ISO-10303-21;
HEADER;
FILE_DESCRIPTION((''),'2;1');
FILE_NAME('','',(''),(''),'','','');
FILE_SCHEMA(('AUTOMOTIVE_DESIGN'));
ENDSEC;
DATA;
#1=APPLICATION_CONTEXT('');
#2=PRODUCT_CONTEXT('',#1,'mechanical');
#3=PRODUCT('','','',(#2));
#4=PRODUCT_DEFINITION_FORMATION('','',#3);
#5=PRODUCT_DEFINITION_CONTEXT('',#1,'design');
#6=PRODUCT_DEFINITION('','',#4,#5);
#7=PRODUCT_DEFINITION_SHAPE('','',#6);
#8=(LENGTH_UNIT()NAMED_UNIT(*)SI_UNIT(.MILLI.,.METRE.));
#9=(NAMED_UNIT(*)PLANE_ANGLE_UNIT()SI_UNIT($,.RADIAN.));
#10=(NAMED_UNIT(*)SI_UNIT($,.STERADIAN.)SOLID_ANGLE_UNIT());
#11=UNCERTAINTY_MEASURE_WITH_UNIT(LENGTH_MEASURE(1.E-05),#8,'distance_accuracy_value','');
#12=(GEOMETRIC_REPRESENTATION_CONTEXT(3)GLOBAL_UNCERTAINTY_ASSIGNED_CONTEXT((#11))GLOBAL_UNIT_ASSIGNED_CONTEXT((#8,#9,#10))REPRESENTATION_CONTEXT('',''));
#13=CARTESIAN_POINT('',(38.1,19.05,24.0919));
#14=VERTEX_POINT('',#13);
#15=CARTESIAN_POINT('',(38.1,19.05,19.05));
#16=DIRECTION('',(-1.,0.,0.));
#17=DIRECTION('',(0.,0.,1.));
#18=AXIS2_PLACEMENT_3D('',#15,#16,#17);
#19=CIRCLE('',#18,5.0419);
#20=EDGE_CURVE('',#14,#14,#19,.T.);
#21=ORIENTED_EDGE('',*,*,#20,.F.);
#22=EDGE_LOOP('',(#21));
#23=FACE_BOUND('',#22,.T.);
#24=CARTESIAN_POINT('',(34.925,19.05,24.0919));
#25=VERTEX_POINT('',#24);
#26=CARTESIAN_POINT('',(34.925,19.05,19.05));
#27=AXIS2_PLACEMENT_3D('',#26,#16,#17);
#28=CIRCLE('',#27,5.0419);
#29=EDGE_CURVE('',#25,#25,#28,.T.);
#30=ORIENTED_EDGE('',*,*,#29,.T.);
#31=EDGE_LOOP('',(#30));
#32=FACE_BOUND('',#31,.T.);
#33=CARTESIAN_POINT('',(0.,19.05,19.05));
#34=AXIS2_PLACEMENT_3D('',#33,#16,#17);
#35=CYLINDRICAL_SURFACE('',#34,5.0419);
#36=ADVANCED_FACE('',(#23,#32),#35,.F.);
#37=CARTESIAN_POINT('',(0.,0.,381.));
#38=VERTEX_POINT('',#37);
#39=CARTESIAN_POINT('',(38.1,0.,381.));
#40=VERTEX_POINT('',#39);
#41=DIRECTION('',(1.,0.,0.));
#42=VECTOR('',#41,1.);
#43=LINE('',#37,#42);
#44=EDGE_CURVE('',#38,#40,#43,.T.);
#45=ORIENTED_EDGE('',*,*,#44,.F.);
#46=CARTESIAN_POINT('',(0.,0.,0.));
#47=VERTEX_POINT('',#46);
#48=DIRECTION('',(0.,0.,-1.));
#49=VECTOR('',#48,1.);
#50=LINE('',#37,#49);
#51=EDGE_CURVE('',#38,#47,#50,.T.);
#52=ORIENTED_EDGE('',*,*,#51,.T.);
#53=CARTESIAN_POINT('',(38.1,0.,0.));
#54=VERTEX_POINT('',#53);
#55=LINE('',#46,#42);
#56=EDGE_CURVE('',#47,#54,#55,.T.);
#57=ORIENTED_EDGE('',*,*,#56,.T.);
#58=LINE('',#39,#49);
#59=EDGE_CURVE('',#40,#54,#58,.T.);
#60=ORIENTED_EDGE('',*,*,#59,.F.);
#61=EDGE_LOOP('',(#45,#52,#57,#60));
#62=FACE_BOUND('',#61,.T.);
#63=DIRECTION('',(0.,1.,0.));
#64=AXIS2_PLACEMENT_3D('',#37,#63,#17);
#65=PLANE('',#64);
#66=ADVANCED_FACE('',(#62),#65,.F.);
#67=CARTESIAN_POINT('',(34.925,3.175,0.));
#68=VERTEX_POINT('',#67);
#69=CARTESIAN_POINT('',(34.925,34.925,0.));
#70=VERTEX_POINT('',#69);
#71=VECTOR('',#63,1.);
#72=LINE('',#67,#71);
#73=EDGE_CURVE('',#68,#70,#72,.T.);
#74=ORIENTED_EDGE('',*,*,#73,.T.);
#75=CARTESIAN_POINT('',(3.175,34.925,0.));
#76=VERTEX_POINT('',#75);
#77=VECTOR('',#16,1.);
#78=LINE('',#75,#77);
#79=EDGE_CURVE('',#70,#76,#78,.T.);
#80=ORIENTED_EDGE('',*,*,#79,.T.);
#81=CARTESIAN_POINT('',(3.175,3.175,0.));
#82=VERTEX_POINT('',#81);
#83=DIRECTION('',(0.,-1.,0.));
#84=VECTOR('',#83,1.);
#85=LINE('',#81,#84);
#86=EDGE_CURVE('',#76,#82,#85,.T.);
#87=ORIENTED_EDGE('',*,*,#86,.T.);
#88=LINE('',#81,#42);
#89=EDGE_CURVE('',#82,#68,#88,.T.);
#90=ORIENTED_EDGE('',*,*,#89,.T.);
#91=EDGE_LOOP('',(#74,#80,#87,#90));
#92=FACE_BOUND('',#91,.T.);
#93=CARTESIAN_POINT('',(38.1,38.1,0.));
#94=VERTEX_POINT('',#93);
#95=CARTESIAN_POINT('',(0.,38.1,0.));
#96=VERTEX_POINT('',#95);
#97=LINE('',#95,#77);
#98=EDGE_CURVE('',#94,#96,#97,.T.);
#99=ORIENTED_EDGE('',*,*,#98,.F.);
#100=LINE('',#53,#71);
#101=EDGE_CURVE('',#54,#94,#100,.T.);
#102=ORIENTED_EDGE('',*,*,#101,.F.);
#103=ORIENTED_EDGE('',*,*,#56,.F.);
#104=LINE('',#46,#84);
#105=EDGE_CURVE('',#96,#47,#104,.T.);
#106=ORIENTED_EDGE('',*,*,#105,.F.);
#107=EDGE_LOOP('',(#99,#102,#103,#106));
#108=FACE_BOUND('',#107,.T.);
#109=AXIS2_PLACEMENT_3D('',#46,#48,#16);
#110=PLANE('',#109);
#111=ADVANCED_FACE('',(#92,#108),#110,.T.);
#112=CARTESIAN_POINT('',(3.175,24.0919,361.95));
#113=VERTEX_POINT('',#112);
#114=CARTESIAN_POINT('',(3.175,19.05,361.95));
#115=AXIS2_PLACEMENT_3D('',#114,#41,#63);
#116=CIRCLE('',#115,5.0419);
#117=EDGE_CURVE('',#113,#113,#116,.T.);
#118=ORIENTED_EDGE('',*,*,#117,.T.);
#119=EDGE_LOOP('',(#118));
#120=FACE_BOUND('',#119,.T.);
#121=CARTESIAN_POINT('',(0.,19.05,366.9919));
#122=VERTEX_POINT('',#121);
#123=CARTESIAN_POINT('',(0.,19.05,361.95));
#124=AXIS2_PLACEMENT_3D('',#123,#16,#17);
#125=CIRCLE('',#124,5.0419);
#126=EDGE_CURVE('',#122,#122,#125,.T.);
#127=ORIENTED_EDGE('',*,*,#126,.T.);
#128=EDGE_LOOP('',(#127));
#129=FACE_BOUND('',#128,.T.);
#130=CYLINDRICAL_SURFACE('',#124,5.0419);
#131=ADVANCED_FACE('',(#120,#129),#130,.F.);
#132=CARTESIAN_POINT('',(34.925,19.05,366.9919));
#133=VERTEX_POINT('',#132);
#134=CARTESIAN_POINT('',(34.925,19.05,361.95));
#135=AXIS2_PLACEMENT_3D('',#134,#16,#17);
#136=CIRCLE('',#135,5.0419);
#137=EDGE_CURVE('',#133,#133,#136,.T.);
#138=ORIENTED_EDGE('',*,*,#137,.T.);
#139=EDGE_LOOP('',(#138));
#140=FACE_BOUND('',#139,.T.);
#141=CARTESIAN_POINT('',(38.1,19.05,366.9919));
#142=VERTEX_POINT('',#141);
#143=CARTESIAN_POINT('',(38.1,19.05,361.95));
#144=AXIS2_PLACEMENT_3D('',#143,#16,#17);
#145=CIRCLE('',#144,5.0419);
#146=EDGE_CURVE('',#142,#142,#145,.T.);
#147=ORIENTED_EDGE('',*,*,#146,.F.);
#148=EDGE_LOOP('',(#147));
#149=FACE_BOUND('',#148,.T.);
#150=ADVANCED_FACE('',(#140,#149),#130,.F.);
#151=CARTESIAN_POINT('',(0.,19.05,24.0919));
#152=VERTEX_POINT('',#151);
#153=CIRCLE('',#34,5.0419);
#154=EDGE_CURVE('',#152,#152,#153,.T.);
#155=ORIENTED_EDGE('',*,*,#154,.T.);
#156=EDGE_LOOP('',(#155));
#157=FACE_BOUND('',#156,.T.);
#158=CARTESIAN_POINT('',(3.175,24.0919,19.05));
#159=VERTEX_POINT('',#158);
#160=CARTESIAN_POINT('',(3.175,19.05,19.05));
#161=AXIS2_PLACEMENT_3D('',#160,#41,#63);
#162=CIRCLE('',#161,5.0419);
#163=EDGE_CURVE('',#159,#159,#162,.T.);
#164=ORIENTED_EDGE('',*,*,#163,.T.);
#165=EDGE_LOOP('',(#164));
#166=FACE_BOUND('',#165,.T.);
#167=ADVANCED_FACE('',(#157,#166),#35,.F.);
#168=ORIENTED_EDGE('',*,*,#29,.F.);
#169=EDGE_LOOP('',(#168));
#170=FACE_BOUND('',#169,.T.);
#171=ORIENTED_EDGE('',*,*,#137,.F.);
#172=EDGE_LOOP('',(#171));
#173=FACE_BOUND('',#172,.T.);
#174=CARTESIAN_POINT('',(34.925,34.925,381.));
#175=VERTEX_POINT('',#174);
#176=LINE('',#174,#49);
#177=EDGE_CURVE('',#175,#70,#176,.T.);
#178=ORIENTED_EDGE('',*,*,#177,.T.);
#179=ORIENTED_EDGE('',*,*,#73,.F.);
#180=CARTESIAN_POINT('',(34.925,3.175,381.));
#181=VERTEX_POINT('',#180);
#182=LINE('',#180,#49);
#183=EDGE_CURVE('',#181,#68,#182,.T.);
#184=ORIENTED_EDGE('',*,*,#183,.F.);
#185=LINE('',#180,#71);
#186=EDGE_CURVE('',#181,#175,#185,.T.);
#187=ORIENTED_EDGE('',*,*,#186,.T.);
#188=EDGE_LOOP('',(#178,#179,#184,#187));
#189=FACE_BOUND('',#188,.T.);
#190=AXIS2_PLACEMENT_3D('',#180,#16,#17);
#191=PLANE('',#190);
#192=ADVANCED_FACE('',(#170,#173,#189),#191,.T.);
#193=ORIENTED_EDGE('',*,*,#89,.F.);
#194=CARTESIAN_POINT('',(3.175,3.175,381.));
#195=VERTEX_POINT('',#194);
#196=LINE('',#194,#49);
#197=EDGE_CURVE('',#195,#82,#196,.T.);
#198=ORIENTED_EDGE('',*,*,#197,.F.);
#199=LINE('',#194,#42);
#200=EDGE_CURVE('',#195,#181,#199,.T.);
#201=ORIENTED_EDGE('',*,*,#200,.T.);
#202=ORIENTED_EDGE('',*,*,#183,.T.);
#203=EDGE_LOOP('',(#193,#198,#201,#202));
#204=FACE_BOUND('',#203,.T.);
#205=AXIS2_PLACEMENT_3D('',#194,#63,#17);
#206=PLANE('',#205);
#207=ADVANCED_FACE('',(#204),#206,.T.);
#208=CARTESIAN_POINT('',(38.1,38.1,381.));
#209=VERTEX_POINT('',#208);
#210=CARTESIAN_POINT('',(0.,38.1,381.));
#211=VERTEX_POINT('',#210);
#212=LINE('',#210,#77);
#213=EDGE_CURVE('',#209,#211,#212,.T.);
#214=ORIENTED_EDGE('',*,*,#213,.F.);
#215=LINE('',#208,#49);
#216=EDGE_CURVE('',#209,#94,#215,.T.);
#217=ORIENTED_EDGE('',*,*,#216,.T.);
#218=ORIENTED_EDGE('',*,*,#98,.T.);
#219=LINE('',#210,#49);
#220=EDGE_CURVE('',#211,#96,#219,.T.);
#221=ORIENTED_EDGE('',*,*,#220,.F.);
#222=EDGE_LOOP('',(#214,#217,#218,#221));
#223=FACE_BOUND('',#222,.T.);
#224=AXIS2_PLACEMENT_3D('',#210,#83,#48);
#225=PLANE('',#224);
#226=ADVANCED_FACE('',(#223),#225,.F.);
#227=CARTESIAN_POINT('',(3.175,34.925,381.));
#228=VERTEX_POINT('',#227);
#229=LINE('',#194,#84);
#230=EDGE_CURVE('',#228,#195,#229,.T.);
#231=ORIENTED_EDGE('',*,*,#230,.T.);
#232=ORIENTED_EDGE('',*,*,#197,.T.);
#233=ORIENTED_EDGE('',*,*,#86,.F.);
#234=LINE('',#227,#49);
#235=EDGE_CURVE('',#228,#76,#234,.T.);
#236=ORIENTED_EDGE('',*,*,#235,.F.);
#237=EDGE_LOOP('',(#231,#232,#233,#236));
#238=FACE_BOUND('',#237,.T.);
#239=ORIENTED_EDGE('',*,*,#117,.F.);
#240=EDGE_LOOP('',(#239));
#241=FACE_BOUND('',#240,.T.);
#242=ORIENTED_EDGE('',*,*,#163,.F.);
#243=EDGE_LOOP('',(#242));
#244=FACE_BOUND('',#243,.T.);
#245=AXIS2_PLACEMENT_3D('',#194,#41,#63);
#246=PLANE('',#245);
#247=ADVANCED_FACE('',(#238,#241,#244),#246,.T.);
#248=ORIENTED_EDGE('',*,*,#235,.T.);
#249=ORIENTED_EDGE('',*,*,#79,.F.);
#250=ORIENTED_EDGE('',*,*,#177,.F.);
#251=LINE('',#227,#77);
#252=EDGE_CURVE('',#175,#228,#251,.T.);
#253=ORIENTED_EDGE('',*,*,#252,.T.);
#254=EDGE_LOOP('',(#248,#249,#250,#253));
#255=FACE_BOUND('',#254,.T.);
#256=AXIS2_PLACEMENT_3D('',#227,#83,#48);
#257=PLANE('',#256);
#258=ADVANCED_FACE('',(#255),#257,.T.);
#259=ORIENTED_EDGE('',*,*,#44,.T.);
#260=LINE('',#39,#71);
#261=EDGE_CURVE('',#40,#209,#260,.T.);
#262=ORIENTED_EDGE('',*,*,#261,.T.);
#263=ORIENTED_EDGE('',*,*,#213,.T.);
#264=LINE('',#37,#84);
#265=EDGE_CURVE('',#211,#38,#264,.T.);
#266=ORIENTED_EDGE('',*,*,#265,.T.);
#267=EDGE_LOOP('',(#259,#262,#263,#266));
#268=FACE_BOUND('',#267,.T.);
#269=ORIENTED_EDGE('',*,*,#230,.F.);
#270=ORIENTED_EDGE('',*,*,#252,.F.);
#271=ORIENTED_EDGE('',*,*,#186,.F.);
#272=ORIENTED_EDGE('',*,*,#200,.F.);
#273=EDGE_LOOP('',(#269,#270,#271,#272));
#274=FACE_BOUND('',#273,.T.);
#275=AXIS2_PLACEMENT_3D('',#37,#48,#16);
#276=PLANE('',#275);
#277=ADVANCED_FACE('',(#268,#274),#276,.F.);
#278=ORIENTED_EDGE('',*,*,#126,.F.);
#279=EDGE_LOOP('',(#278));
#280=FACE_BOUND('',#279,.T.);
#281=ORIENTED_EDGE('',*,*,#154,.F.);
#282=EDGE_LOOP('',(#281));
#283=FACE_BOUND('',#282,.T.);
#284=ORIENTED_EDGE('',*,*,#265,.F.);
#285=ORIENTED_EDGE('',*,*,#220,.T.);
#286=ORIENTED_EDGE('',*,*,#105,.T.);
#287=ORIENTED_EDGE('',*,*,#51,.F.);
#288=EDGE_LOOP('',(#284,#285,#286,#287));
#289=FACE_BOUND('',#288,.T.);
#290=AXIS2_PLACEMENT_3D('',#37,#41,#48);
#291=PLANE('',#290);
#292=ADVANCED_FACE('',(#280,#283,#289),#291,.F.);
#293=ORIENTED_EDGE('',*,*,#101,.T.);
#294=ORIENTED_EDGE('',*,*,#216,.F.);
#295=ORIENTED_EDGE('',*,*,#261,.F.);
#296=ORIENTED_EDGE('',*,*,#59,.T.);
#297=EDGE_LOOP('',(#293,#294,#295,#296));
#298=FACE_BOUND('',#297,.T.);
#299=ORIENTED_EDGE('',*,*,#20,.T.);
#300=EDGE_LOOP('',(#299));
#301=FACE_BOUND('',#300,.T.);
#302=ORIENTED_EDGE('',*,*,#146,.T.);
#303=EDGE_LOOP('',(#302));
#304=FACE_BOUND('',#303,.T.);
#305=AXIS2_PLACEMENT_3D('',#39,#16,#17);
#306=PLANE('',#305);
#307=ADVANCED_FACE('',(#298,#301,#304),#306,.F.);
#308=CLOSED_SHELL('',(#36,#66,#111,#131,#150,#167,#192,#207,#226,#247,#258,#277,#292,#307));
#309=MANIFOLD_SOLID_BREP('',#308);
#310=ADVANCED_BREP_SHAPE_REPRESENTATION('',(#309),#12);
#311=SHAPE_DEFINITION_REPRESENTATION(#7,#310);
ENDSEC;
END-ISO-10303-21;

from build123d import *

# Parameters (mm, degrees)
SKETCH2_W                = 38.1
SKETCH2_H                = 38.1
SKETCH2_W_2              = 31.75
SKETCH2_H_2              = 31.75
BOSS_EXTRUDE1_DEPTH      = 381
X_0_397_DIAMETER_HOLE1_D = 10.0838


with BuildPart() as part:
    # Sketch2 → Boss-Extrude1 (new body)
    with BuildSketch(Plane.XY):
        with Locations((19.05, 19.05)):
            Rectangle(SKETCH2_W, SKETCH2_H)
        with Locations((19.05, 19.05)):
            Rectangle(SKETCH2_W_2, SKETCH2_H_2, mode=Mode.SUBTRACT)
    extrude(amount=BOSS_EXTRUDE1_DEPTH)

    # X (0.397) Diameter Hole1 (through all)
    with Locations(Plane.ZY):
        with Locations((19.05, 19.05), (361.95, 19.05)):
            Hole(X_0_397_DIAMETER_HOLE1_D / 2)


solid = part.part
